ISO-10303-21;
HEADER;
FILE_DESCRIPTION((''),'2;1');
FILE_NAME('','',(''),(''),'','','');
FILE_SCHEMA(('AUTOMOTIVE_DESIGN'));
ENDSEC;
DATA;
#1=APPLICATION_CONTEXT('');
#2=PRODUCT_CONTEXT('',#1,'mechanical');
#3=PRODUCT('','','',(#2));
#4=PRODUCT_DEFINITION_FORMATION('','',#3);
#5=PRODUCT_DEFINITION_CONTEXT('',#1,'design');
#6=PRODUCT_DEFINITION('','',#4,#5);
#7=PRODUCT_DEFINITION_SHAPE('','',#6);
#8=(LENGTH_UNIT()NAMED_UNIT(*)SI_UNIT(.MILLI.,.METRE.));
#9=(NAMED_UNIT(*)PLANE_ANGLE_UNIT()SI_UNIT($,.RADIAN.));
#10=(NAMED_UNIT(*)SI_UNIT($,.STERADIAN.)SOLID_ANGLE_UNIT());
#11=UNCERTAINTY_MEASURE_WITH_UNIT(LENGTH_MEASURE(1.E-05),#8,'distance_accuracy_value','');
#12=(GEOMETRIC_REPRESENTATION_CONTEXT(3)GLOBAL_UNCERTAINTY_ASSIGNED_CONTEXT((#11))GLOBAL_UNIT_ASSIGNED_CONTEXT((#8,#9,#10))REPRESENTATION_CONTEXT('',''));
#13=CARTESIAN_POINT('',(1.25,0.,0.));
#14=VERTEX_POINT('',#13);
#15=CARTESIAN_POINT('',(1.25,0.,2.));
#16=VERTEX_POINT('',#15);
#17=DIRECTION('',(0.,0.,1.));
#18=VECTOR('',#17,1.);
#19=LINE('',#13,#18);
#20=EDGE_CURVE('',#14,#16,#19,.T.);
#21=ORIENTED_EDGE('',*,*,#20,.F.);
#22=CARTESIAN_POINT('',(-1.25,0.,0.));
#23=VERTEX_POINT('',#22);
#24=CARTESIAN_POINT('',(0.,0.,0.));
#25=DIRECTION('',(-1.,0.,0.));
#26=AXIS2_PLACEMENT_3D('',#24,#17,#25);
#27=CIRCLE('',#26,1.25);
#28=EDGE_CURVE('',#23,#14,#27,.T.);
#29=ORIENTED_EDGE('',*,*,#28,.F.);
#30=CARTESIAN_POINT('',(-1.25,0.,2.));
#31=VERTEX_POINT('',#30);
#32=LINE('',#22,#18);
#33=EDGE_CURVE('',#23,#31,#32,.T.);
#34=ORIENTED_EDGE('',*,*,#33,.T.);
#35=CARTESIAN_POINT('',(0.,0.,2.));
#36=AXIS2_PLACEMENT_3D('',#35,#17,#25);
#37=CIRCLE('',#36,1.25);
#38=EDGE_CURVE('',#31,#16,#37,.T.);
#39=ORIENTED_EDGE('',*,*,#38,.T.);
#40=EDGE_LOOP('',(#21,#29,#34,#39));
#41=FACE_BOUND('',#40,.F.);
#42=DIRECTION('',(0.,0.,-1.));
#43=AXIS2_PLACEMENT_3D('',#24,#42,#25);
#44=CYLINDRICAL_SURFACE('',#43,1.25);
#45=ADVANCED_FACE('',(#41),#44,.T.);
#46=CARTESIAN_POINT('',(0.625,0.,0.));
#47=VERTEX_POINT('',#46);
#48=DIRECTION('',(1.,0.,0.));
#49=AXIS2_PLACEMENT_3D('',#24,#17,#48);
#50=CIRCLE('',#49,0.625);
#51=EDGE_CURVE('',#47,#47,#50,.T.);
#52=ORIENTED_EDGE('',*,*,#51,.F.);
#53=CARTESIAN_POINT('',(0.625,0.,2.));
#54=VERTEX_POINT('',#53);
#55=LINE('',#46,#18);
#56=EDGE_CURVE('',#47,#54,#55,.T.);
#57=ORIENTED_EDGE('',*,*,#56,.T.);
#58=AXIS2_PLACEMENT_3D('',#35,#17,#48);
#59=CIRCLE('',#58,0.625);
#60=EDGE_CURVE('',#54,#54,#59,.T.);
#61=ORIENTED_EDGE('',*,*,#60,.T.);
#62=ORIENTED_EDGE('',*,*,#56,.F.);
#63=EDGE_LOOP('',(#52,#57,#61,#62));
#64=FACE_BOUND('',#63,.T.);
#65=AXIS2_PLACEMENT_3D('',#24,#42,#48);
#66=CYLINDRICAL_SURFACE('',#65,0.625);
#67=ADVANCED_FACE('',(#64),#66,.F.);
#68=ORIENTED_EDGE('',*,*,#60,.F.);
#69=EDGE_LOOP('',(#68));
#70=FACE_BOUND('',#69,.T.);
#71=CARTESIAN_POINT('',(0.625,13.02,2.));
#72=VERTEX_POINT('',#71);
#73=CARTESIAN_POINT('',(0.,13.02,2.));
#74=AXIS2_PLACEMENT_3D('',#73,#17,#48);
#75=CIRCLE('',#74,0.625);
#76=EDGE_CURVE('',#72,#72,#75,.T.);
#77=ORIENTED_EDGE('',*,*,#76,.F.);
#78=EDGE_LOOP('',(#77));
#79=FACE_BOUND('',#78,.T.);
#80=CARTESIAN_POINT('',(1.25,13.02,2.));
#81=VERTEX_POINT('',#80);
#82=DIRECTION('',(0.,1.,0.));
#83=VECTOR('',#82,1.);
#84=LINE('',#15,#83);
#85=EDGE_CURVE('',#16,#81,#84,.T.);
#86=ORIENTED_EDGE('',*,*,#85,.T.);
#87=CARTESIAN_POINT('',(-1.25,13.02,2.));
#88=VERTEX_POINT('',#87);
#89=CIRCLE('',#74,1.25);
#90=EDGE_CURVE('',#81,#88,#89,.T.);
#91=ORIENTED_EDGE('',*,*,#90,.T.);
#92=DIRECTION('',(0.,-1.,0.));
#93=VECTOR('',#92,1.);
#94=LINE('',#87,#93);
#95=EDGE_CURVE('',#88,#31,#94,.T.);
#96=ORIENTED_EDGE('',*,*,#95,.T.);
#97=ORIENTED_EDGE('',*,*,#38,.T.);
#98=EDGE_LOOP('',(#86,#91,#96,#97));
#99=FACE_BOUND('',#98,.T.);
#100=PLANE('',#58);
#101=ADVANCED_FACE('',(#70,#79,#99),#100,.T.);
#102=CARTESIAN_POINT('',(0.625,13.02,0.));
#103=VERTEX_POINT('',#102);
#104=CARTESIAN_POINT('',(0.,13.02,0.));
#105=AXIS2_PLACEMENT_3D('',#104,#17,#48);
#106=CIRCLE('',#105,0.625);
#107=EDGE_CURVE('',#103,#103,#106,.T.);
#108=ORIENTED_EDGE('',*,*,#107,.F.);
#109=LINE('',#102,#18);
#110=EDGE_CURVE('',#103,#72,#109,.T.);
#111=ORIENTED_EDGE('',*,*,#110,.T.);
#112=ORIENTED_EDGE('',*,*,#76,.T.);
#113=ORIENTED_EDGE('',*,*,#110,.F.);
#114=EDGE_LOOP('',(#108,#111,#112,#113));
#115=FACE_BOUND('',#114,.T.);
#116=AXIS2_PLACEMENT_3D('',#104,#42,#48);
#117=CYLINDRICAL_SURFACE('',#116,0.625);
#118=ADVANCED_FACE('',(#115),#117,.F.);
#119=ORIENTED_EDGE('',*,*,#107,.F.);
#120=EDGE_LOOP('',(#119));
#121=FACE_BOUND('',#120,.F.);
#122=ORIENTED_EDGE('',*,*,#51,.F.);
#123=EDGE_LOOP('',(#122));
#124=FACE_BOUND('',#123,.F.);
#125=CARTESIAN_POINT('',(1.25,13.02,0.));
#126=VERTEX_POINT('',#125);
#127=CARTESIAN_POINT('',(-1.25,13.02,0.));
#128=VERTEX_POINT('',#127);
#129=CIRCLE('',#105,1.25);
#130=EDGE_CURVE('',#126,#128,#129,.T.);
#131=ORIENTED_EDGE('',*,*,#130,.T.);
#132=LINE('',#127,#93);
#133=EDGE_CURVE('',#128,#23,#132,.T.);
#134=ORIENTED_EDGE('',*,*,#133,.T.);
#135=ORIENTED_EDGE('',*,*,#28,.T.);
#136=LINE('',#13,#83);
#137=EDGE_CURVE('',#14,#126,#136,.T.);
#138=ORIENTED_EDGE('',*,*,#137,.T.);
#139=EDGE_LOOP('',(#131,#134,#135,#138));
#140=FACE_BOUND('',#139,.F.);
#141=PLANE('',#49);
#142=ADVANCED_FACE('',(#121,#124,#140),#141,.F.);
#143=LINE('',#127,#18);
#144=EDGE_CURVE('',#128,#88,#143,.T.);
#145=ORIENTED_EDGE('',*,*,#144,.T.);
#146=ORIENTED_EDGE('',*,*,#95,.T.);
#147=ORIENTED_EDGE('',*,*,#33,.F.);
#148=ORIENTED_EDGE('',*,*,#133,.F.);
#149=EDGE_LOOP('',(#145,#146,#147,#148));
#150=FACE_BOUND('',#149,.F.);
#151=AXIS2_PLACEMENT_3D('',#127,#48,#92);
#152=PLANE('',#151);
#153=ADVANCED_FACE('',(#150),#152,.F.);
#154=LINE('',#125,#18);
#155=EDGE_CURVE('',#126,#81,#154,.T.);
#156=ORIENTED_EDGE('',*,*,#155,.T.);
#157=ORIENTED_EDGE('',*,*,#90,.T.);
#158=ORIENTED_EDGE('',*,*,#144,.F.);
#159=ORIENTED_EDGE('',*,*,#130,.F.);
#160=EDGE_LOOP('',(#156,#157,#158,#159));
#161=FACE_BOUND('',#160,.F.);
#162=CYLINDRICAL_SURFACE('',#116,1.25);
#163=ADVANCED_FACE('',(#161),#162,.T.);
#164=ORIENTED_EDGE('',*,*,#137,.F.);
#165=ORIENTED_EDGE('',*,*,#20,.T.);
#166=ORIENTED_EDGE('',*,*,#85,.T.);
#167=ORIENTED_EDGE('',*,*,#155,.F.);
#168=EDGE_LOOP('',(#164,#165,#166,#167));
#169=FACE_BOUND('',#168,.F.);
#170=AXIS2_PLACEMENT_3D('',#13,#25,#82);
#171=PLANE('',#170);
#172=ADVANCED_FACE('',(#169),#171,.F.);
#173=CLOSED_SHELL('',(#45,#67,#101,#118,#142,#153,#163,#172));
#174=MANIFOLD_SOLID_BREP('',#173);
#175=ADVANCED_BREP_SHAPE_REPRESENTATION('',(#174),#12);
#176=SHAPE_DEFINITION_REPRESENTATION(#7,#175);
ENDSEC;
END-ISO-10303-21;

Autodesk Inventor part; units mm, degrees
ref_plane "YZ Plane" through (0, 0, 0) normal (1, 0, 0) x (0, 1, 0)
ref_plane "XZ Plane" through (0, 0, 0) normal (0, 1, 0) x (-1, 0, 0)
ref_plane "XY Plane" through (0, 0, 0) normal (0, 0, 1) x (1, 0, 0)
sketch "草圖1" plane through (0, 0, 0) normal (0, 0, 1) x (1, 0, 0)
  line L0 (0, 0) -> (0, 13.02) construction
  line L1 (1.25, 0) -> (1.25, 13.02)
  line L2 (-1.25, 13.02) -> (-1.25, 0)
  arc A0 (-1.25, 0) -> (1.25, 0) centre (0, 0) ccw
  arc A1 (1.25, 13.02) -> (-1.25, 13.02) centre (0, 13.02) ccw
  circle A2 centre (0, 0) radius 0.625
  circle A3 centre (0, 13.02) radius 0.625
  point P0 (0, 6.51)
  dimension "d0" = 13.02
  dimension "d1" = 2.5
  dimension "d2" = 1.25
  dimension "d3" = 1.25
extrude "擠出1" add sketch "草圖1" along normal blind 2
properties part number "2"
